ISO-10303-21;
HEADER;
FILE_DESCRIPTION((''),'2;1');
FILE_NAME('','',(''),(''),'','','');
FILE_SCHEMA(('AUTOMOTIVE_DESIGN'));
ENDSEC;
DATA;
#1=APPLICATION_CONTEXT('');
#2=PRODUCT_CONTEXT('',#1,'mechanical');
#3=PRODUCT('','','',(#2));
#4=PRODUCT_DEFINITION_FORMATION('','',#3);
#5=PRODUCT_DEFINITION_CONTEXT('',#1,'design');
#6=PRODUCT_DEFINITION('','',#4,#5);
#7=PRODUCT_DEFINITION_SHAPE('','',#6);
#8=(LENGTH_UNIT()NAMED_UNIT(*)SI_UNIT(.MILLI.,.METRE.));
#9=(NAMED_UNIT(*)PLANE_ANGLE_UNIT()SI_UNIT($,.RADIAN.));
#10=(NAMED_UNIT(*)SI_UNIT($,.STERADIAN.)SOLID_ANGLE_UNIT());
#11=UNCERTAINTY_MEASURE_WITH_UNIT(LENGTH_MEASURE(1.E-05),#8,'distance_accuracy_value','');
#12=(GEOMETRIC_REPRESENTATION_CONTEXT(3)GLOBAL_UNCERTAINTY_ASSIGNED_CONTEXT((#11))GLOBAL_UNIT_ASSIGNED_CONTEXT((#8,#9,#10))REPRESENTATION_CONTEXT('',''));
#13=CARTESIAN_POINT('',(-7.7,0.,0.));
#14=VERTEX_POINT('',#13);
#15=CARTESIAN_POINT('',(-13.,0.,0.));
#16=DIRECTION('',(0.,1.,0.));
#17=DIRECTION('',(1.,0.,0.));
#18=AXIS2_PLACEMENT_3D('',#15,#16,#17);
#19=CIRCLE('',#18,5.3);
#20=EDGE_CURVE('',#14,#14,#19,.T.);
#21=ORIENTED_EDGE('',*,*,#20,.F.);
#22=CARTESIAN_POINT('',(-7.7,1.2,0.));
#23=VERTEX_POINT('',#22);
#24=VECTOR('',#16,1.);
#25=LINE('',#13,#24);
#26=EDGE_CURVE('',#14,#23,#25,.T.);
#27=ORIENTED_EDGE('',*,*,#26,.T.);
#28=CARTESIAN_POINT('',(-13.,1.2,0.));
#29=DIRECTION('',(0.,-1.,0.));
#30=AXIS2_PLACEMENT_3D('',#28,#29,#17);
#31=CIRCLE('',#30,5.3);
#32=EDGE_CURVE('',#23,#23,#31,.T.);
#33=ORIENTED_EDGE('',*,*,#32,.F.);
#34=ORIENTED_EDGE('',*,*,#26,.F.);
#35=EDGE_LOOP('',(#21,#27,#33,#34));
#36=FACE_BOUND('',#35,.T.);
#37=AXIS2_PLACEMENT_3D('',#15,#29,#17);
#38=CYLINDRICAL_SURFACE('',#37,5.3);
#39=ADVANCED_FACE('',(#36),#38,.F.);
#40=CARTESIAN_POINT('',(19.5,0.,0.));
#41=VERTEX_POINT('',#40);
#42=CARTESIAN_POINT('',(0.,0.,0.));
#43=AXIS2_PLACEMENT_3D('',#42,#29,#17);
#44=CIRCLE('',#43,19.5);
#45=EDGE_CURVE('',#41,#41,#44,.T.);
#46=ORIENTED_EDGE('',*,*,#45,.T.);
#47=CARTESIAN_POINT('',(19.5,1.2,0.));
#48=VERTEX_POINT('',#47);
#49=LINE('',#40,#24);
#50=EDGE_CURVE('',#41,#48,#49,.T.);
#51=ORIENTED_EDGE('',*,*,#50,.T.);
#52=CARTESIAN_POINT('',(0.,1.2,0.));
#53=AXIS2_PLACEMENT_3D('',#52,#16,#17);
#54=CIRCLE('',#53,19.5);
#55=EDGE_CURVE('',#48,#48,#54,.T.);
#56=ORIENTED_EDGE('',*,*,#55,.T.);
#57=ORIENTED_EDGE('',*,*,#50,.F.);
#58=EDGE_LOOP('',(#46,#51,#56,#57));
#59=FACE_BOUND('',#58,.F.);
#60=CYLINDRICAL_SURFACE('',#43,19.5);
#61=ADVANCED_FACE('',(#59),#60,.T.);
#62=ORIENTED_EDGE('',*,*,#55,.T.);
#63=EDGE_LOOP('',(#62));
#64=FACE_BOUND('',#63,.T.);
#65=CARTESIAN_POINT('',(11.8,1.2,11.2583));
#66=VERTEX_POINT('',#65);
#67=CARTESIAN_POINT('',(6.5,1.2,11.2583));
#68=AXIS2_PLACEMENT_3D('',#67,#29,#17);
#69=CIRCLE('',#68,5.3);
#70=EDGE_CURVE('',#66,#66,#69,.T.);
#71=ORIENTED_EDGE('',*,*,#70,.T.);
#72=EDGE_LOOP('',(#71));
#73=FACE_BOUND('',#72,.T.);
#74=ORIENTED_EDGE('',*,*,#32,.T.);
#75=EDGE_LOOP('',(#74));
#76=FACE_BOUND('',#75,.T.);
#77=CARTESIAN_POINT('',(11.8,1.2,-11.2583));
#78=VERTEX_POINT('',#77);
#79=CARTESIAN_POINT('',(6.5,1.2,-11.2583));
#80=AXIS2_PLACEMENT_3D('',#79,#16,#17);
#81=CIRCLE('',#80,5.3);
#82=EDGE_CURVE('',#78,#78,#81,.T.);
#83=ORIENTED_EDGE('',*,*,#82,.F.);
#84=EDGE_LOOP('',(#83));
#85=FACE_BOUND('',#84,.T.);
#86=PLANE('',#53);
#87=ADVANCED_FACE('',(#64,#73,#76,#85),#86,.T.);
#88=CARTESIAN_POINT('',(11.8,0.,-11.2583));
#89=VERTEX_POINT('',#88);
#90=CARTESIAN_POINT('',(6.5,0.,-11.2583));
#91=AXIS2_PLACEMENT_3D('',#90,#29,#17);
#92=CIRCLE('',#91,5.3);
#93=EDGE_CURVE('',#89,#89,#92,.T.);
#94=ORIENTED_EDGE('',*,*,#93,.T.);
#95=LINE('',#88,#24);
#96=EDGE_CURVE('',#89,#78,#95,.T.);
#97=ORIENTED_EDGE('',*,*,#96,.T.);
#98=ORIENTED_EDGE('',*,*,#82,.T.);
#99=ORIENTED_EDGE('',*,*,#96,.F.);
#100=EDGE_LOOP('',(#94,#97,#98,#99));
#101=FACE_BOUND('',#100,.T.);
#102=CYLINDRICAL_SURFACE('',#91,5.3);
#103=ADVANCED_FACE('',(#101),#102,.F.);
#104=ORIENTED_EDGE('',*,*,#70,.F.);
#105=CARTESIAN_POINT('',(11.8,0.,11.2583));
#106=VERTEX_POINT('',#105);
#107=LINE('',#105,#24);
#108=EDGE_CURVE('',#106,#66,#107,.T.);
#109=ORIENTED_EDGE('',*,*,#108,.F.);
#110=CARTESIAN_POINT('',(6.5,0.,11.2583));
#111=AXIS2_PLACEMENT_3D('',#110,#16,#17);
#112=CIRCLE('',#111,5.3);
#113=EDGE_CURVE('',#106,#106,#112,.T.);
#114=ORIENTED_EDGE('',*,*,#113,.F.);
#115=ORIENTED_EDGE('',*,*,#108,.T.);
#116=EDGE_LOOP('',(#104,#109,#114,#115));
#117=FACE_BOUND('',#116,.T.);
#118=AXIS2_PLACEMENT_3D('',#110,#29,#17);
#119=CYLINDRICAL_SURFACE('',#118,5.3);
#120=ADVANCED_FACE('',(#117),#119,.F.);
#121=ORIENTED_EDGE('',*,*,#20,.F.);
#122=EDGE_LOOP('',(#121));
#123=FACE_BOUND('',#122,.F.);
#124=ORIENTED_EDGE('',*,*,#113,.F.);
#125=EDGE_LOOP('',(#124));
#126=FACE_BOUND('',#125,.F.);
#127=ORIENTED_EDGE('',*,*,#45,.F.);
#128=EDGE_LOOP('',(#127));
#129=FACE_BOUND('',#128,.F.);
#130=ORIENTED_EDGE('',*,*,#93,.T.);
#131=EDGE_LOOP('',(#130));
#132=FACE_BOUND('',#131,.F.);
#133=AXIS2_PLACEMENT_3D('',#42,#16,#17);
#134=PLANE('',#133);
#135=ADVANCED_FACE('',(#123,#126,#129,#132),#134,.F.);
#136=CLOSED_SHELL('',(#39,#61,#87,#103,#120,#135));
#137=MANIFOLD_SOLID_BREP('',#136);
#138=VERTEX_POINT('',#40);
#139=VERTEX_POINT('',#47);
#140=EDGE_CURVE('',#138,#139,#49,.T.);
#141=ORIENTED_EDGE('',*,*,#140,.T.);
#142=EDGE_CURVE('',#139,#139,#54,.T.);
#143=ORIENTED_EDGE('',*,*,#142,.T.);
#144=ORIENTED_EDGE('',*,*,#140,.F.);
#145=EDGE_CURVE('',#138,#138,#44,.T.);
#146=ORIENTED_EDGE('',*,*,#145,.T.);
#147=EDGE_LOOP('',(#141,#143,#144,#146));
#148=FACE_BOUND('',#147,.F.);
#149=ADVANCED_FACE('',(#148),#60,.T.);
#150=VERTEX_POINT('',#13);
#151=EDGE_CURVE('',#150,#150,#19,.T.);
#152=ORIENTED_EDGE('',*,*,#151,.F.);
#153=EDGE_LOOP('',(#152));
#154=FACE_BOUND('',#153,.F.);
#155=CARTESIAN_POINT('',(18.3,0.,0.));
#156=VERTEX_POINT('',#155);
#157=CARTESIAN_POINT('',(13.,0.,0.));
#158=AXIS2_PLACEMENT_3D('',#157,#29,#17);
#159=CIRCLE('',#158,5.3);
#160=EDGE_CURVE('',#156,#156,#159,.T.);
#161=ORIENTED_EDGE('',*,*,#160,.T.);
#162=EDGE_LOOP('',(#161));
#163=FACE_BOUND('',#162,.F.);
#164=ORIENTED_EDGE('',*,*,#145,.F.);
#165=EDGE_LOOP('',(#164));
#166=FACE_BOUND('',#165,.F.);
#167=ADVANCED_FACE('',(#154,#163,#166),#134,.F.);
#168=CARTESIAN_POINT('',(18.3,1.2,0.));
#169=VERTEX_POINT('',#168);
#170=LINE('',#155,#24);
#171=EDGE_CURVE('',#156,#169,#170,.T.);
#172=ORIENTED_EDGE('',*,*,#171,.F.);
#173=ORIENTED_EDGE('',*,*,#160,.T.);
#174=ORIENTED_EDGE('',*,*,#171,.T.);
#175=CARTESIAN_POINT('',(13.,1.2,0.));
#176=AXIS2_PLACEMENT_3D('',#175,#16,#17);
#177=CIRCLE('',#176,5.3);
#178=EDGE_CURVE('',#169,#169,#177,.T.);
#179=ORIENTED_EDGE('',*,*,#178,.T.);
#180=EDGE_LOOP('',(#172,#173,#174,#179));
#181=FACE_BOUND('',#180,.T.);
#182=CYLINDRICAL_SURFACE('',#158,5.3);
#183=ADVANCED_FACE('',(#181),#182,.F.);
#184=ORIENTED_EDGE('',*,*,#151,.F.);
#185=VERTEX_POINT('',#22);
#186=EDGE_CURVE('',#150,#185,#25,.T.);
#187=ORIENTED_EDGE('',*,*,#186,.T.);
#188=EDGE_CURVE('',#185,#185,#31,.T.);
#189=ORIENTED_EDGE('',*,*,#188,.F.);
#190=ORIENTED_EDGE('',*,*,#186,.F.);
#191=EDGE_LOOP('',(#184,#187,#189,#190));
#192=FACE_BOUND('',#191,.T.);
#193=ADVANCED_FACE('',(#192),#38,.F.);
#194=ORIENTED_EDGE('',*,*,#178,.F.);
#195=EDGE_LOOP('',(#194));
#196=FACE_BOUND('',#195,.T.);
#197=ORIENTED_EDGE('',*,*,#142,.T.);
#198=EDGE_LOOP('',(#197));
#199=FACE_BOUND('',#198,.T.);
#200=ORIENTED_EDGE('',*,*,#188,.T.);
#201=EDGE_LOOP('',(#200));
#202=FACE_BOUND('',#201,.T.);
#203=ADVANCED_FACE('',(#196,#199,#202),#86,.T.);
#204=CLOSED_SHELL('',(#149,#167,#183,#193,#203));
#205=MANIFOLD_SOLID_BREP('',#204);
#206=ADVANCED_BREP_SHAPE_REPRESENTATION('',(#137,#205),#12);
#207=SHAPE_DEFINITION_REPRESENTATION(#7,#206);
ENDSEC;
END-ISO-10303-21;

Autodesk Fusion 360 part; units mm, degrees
sketch "Sketch1" plane through (0, 0, 0) normal (0, 1, 0) x (1, 0, 0)
  circle A0 centre (0, 0) radius 19.5
  circle A1 centre (0, 0) radius 13
  line L0 (-21.8994, 0) -> (35, 0)
  circle A2 centre (-13, 0) radius 5.3
  circle A3 centre (13, 0) radius 5.3
  circle A4 centre (6.5, 11.2583) radius 5.3
  circle A5 centre (6.5, -11.2583) radius 5.3
  dimension "d1" = 39
  dimension "d2" = 26
  dimension "d3" = 10.6
  dimension "d4" = 10.6
  dimension "d7" = 10.6
  dimension "d8" = 10.6
extrude "Extrude1" add sketch "Sketch1" along normal blind 1.2 contours A0 A1 L0 A2 A3 A4 | A0 A1 L0 A2 A3 A5 | A1 L0 A2 A3 A4 | A1 L0 A2 A3 A5 | A1 A4 | A1 A4 | A1 A5 | A1 A5 makes body 1
extrude "Extrude2" add sketch "Sketch1" along normal blind 1.2 separate body contours A0 A1 L0 A2 A3 A4 | A0 A1 L0 A2 A3 A5 | A1 L0 A3 | A1 L0 A3 | A1 L0 A3 | A1 L0 A3 | A1 L0 A2 A3 A4 | A1 L0 A2 A3 A5 makes body 2
